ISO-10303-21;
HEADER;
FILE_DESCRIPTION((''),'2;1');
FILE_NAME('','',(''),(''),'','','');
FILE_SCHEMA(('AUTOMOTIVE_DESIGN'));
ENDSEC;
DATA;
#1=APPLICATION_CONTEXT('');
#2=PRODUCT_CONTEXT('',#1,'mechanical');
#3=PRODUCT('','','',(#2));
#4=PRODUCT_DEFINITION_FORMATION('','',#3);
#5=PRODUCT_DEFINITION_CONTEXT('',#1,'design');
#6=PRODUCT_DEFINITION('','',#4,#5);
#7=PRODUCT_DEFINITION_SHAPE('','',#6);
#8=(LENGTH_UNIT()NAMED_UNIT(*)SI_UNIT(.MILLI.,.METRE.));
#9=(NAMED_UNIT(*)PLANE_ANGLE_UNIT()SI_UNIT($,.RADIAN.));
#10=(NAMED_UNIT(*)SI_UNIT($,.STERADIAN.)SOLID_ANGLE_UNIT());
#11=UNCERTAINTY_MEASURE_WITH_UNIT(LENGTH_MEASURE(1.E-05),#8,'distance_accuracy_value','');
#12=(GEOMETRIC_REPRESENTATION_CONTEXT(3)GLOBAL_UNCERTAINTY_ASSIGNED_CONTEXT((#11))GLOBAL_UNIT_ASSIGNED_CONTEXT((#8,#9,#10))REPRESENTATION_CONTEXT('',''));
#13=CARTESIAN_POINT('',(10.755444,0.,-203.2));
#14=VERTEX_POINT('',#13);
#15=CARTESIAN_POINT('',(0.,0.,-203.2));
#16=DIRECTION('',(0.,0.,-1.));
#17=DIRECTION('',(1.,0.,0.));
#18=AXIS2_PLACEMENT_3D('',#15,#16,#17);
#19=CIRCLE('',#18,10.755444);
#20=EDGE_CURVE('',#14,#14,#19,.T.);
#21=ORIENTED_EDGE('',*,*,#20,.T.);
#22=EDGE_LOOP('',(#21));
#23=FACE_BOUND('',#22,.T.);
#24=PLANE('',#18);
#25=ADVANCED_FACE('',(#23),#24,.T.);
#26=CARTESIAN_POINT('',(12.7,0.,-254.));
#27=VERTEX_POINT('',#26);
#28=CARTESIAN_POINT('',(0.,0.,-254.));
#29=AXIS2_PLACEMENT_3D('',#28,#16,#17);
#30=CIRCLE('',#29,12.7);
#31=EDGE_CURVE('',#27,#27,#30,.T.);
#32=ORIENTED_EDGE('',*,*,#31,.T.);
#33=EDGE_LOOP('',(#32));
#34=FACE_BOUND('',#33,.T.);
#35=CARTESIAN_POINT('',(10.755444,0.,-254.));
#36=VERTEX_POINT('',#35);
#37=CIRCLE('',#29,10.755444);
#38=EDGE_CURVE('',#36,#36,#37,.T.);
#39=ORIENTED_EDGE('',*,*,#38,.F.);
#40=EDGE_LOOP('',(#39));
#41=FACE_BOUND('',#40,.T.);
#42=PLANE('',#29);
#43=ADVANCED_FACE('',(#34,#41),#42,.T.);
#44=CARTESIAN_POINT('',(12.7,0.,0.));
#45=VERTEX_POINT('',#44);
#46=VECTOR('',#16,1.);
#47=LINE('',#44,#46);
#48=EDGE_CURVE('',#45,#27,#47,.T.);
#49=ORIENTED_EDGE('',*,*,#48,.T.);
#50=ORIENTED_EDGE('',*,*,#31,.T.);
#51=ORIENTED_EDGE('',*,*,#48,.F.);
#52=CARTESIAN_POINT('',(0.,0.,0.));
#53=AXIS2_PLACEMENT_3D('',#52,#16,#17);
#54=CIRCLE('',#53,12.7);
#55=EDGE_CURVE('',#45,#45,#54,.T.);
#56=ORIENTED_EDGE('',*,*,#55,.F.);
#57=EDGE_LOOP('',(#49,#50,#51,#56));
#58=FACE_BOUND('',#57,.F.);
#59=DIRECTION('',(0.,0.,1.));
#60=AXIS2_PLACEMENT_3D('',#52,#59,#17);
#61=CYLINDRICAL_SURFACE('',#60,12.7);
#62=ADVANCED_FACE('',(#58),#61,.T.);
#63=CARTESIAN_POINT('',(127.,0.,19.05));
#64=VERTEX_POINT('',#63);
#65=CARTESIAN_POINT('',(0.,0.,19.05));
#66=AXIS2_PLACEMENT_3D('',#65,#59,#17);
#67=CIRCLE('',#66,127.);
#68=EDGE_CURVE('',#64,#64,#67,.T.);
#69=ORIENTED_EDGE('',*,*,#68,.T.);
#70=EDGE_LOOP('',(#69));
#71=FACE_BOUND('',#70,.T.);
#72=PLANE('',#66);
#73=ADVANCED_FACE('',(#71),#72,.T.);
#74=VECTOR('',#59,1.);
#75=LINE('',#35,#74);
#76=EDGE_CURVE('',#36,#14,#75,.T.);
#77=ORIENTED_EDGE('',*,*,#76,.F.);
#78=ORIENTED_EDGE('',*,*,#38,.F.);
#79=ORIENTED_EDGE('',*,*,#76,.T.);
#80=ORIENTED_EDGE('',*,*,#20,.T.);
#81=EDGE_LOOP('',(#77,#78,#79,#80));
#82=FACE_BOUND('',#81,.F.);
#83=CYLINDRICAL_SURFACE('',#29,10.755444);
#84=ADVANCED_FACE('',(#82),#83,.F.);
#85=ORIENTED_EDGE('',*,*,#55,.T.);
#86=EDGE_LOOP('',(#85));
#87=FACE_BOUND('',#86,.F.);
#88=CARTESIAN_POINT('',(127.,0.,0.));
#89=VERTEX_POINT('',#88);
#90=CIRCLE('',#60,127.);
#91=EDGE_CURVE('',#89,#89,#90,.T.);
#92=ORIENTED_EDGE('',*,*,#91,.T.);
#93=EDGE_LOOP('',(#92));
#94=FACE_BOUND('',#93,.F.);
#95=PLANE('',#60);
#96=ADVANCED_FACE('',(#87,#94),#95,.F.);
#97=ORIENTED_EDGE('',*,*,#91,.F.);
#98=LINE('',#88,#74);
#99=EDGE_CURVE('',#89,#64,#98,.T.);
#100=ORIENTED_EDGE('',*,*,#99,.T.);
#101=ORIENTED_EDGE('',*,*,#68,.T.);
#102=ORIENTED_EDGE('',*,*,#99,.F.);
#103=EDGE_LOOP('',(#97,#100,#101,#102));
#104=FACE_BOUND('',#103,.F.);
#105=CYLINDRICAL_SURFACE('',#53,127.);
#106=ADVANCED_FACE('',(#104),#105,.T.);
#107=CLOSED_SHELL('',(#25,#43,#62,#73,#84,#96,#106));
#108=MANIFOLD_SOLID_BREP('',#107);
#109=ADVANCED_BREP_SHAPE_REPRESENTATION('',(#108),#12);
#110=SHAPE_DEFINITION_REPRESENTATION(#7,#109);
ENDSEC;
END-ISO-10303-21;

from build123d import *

# Parameters (mm, degrees)
F0_R     = 127
F1_DEPTH = 19.05
F2_R     = 12.7
F3_DEPTH = 254
F4_R     = 10.755444
F5_DEPTH = 50.8


with BuildPart() as f1:
    # F0 (on Top) → F1 (new body)
    with BuildSketch(Plane.XY):
        Circle(F0_R)
    extrude(amount=F1_DEPTH)

    # F2 (on face) → F3 (join)
    with BuildSketch(Plane(origin=(0, 0, 0), x_dir=(1, 0, 0), z_dir=(0, 0, -1))):
        Circle(F2_R)
    extrude(amount=F3_DEPTH)

    # F4 (on face) → F5 (cut)
    with BuildSketch(Plane(origin=(0, 0, -254), x_dir=(1, 0, 0), z_dir=(0, 0, -1))):
        Circle(F4_R)
    extrude(amount=-F5_DEPTH, mode=Mode.SUBTRACT)


solid = f1.part
